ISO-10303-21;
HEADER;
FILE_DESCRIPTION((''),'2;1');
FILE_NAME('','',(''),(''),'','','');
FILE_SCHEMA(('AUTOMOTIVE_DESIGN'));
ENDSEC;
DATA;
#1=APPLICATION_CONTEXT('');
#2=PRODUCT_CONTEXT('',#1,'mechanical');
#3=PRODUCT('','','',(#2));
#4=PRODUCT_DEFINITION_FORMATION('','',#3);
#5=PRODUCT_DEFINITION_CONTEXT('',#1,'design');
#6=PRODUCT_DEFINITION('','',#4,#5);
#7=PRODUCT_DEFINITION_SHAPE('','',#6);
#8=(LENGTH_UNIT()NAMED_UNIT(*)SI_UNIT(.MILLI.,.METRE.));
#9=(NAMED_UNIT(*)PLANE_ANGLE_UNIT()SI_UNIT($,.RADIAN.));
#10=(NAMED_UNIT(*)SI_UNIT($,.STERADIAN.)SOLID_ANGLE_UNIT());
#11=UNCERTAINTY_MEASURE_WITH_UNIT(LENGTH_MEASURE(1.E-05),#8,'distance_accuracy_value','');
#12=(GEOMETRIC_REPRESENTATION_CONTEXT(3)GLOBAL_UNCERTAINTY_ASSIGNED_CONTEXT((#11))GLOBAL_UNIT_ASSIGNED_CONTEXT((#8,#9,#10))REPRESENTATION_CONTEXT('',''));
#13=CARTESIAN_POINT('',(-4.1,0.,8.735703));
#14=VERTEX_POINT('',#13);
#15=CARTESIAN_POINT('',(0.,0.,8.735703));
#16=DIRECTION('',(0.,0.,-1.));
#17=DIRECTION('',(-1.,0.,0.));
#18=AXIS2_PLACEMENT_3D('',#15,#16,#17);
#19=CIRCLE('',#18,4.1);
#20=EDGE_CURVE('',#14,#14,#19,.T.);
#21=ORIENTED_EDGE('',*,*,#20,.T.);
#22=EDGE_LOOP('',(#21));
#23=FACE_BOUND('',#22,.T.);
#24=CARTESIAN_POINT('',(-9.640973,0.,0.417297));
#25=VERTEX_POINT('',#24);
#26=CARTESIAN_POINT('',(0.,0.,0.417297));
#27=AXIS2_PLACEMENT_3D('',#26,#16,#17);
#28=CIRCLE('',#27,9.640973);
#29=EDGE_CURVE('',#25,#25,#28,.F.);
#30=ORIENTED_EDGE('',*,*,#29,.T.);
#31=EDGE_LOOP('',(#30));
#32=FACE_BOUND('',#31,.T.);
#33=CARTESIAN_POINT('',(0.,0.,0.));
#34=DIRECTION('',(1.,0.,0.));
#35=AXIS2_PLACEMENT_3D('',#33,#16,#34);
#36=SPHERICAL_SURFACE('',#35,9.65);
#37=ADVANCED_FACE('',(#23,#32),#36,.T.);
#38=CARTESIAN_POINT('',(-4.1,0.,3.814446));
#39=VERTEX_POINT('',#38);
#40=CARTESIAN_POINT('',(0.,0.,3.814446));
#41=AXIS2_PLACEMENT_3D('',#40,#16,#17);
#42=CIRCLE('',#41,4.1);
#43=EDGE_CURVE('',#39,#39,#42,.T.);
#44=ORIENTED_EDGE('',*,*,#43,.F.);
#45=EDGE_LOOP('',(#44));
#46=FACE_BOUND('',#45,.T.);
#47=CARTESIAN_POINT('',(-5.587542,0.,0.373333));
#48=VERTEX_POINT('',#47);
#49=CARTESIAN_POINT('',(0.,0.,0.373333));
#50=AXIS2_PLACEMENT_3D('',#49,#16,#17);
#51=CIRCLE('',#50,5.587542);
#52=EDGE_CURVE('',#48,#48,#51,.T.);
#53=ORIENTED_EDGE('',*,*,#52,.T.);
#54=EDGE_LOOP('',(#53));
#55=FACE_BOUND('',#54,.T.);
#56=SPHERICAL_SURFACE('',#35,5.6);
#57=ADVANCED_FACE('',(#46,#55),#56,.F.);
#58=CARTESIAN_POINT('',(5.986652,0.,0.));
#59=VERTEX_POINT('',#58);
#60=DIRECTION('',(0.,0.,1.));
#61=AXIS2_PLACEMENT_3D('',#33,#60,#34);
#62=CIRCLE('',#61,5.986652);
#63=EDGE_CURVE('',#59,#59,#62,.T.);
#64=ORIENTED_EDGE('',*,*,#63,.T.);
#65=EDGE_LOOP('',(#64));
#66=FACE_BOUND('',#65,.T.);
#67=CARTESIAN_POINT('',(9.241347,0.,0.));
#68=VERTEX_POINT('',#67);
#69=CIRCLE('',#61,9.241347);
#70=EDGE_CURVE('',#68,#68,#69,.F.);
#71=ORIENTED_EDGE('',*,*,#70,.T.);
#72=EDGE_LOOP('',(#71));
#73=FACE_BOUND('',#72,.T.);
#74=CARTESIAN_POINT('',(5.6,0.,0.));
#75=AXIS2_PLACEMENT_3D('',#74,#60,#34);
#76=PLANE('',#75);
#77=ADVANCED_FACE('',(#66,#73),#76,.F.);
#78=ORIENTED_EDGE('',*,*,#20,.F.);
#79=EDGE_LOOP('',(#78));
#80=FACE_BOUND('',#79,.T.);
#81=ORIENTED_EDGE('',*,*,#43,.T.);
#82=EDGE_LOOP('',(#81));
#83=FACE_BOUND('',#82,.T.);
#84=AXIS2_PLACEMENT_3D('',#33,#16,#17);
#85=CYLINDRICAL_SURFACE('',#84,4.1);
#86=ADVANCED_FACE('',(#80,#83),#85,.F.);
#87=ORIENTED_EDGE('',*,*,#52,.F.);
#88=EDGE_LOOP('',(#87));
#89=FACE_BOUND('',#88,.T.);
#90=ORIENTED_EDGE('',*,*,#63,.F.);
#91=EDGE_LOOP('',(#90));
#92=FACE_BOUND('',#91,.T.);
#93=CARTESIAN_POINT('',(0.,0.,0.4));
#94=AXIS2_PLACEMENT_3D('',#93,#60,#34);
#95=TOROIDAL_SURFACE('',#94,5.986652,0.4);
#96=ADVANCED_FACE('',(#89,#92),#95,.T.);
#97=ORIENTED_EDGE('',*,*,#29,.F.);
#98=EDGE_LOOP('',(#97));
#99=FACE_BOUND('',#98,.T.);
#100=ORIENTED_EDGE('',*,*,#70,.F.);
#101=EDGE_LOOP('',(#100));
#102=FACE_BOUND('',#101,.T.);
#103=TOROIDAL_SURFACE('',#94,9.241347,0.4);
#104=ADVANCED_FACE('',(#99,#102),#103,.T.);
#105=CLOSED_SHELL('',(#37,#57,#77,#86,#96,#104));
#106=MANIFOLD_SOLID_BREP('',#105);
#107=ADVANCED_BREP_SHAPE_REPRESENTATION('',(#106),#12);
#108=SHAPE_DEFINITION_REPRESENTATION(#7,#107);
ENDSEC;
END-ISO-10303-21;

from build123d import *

# Parameters (mm, degrees)
BOTTOM_FILLET_R = 0.4


with BuildPart() as part:
    # Sketch2 → Main Body (revolve)
    with BuildSketch(Plane(origin=(0, 0, 0), x_dir=(1, 0, 0), z_dir=(0, 1, 0))):
        with BuildLine():
            Line((5.6, 0), (9.65, 0))
            ThreePointArc((9.65, 0), (8.145167279, -5.174818837), (4.1, -8.735702605))
            Line((4.1, -8.735702605), (4.1, -3.814446225))
            ThreePointArc((4.1, -3.814446225), (5.211525688, -2.049390153), (5.6, 0))
        make_face()
    revolve(axis=Axis((0, 0, 0), (0, 0, 1)))

    # Bottom Fillet
    bottom_fillet_edges = [part.edges().sort_by_distance(p)[0] for p in [
        (-5.6, 0, 0),
        (-9.65, 0, 0),
    ]]
    fillet(bottom_fillet_edges, radius=BOTTOM_FILLET_R)


solid = part.part
